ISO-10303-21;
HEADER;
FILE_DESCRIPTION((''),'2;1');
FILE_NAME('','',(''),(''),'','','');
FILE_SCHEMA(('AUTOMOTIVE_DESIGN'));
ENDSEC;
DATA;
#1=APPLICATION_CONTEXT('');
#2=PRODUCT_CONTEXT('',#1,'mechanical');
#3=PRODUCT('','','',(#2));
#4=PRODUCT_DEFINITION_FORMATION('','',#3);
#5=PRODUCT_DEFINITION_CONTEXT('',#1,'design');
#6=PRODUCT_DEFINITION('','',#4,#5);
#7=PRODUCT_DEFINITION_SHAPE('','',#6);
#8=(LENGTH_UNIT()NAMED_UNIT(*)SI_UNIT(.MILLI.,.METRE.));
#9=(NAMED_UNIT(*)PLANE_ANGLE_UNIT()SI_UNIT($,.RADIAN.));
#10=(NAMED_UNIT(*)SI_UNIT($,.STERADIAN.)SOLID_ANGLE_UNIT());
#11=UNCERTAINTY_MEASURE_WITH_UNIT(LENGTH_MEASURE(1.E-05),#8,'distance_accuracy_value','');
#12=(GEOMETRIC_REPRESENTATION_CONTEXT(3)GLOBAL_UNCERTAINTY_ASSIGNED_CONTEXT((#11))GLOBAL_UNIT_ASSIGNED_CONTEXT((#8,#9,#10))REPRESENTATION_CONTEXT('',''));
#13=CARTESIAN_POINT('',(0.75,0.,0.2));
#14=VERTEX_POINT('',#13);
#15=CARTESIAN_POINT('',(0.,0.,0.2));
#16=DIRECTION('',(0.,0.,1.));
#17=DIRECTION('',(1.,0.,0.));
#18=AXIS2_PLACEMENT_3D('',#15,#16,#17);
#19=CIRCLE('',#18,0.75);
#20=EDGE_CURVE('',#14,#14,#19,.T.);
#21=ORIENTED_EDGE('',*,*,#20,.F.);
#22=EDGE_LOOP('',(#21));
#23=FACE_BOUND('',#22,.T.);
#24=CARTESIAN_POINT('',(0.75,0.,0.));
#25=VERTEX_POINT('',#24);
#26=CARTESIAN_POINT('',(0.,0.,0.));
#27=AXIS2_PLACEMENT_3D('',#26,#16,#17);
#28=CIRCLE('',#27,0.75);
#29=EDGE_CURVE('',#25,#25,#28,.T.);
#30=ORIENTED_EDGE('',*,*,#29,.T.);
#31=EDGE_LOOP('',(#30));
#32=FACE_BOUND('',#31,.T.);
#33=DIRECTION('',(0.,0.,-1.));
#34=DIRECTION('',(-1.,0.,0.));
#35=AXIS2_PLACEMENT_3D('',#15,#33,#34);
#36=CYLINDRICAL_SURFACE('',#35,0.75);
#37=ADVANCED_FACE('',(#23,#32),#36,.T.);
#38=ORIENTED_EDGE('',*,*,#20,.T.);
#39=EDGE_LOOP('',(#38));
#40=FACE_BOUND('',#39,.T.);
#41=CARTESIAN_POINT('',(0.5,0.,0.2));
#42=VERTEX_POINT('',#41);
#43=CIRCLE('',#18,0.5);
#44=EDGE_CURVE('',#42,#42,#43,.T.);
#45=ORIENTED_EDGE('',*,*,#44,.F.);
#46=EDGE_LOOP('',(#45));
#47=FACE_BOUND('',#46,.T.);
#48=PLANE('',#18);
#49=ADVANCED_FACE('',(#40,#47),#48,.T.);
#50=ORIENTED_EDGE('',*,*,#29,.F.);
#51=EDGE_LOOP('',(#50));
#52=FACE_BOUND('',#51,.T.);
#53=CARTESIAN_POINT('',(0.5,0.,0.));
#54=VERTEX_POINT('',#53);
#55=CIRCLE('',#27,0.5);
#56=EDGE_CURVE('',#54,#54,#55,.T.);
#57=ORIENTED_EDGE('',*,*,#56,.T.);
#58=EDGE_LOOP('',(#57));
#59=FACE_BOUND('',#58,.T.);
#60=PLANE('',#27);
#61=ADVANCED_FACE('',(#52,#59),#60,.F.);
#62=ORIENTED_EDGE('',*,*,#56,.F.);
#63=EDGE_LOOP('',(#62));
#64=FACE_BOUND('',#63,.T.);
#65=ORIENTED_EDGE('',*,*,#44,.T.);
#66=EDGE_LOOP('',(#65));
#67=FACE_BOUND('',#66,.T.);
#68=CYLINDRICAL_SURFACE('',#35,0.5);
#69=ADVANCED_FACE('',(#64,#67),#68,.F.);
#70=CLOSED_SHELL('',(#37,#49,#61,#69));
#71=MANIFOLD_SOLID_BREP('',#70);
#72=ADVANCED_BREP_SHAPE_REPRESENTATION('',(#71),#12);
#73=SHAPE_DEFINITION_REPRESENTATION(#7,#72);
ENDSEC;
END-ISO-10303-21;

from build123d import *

# Parameters (mm, degrees)
CROQUIS1_R              = 0.75
CROQUIS1_R_2            = 0.5
SALIENTE_EXTRUIR1_DEPTH = 0.2


with BuildPart() as part:
    # Croquis1 → Saliente-Extruir1 (new body)
    with BuildSketch(Plane.XY):
        Circle(CROQUIS1_R)
        Circle(CROQUIS1_R_2, mode=Mode.SUBTRACT)
    extrude(amount=SALIENTE_EXTRUIR1_DEPTH)


solid = part.part
